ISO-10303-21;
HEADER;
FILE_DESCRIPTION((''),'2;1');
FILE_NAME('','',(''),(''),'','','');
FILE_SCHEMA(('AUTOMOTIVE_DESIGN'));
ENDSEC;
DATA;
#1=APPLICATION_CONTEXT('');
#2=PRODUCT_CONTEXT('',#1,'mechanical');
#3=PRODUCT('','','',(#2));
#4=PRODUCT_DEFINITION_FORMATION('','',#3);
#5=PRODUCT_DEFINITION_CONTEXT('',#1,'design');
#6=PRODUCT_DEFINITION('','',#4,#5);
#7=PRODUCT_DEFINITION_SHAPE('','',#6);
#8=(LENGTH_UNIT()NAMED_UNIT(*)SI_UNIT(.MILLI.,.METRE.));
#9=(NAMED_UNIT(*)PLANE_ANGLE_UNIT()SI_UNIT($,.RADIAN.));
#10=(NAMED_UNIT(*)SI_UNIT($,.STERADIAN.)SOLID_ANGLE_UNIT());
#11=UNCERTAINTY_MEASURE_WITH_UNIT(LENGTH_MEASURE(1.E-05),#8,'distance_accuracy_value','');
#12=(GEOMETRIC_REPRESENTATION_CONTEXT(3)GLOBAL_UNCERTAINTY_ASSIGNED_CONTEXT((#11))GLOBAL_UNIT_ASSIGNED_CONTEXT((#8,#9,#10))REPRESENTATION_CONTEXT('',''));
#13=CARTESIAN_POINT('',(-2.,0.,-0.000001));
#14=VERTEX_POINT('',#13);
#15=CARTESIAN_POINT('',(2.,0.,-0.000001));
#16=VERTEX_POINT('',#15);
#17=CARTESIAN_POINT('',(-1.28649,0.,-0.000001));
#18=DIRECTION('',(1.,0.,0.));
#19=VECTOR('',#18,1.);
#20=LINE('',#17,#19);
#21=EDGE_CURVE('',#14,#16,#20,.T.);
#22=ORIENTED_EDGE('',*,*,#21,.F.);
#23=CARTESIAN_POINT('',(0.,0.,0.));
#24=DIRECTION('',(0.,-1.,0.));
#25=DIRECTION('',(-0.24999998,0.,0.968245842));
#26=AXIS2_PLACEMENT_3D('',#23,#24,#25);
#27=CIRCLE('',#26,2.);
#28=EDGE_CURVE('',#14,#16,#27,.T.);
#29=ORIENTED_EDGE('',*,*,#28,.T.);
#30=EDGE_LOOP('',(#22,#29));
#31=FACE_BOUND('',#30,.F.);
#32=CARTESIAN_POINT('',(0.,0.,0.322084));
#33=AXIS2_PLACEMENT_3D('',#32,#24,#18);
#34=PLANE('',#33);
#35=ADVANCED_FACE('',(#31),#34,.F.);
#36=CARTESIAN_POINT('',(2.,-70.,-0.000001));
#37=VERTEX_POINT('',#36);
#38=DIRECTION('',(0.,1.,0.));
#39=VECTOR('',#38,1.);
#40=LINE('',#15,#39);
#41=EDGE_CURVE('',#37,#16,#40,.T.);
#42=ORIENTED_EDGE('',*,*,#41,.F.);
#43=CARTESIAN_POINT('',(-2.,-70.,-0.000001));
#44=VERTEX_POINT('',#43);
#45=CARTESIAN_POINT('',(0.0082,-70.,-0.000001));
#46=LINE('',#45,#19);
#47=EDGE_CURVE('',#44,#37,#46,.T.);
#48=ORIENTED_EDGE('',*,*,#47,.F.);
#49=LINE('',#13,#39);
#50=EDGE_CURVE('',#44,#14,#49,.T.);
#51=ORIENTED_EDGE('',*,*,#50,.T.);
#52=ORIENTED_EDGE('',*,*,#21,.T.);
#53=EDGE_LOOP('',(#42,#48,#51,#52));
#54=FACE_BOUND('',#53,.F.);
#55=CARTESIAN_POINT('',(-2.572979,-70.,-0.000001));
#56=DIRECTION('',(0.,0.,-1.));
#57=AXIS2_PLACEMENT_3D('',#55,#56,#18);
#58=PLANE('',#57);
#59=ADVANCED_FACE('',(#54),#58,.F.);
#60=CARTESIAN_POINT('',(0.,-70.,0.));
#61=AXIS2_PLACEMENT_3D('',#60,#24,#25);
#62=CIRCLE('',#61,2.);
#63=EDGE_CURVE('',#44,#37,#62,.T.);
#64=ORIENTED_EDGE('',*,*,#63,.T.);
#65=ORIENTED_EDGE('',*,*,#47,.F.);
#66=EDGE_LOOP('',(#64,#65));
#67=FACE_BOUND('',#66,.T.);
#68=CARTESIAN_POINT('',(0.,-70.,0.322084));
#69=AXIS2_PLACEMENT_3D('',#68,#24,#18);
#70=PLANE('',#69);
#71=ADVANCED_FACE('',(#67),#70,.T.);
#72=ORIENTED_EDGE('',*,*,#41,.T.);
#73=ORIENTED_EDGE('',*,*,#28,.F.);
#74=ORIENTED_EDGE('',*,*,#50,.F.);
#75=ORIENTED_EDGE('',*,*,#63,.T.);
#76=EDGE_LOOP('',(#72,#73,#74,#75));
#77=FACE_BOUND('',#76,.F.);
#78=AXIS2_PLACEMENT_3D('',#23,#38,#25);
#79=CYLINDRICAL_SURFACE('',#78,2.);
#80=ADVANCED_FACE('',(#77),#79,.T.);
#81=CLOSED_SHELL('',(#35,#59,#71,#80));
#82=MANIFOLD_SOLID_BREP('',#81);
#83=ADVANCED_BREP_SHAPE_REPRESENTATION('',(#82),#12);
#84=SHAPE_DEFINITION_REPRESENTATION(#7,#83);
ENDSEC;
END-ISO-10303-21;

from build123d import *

# Parameters (mm, degrees)
F1_DEPTH = 70
F4_DEPTH = 20
F6_DEPTH = 15
F7_W     = 5.162358
F7_H     = 3.251191
F8_DEPTH = 100


with BuildPart() as f1:
    # F0 (on Front) → F1 (new body)
    with BuildSketch(Plane.XZ):
        with BuildLine():
            Line((-0.5, 2.5), (-0.5, 1.936492))
            ThreePointArc((-0.5, 1.936492), (0, -2), (0.5, 1.936492))
            Line((0.5, 1.936492), (0.5, 2.5))
            Line((0.5, 2.5), (-0.5, 2.5))
        make_face()
    extrude(amount=F1_DEPTH)

    # F3 (on offset) → F4 (cut)
    with BuildSketch(Plane(origin=(0, -60, 0.089144), x_dir=(1, 0, 0), z_dir=(0, -1, 0))):
        with BuildLine():
            ThreePointArc((-0.5, 1.936492), (0.000638, 2), (0.501235, 1.936172))
            Line((0.501235, 1.936172), (0.5, 2.5))
            Line((0.5, 2.5), (-0.5, 2.5))
            Line((-0.5, 2.5), (-0.5, 1.936492))
        make_face()
    extrude(amount=-F4_DEPTH, mode=Mode.SUBTRACT)

    # F5 (on face) → F6 (cut)
    with BuildSketch(Plane.XZ.offset(60)):
        with BuildLine():
            Line((-0.5, 2.5), (-0.5, 1.936492))
            ThreePointArc((-0.5, 1.936492), (0, 2), (0.5, 1.936492))
            Line((0.5, 1.936492), (0.5, 2.5))
            Line((0.5, 2.5), (-0.5, 2.5))
        make_face()
    extrude(amount=-F6_DEPTH, mode=Mode.SUBTRACT)

    # F7 (on face) → F8 (cut)
    with BuildSketch(Plane.XZ.offset(70)):
        with Locations((0.0082, 1.625595)):
            Rectangle(F7_W, F7_H)
    extrude(amount=-F8_DEPTH, mode=Mode.SUBTRACT)


solid = f1.part
